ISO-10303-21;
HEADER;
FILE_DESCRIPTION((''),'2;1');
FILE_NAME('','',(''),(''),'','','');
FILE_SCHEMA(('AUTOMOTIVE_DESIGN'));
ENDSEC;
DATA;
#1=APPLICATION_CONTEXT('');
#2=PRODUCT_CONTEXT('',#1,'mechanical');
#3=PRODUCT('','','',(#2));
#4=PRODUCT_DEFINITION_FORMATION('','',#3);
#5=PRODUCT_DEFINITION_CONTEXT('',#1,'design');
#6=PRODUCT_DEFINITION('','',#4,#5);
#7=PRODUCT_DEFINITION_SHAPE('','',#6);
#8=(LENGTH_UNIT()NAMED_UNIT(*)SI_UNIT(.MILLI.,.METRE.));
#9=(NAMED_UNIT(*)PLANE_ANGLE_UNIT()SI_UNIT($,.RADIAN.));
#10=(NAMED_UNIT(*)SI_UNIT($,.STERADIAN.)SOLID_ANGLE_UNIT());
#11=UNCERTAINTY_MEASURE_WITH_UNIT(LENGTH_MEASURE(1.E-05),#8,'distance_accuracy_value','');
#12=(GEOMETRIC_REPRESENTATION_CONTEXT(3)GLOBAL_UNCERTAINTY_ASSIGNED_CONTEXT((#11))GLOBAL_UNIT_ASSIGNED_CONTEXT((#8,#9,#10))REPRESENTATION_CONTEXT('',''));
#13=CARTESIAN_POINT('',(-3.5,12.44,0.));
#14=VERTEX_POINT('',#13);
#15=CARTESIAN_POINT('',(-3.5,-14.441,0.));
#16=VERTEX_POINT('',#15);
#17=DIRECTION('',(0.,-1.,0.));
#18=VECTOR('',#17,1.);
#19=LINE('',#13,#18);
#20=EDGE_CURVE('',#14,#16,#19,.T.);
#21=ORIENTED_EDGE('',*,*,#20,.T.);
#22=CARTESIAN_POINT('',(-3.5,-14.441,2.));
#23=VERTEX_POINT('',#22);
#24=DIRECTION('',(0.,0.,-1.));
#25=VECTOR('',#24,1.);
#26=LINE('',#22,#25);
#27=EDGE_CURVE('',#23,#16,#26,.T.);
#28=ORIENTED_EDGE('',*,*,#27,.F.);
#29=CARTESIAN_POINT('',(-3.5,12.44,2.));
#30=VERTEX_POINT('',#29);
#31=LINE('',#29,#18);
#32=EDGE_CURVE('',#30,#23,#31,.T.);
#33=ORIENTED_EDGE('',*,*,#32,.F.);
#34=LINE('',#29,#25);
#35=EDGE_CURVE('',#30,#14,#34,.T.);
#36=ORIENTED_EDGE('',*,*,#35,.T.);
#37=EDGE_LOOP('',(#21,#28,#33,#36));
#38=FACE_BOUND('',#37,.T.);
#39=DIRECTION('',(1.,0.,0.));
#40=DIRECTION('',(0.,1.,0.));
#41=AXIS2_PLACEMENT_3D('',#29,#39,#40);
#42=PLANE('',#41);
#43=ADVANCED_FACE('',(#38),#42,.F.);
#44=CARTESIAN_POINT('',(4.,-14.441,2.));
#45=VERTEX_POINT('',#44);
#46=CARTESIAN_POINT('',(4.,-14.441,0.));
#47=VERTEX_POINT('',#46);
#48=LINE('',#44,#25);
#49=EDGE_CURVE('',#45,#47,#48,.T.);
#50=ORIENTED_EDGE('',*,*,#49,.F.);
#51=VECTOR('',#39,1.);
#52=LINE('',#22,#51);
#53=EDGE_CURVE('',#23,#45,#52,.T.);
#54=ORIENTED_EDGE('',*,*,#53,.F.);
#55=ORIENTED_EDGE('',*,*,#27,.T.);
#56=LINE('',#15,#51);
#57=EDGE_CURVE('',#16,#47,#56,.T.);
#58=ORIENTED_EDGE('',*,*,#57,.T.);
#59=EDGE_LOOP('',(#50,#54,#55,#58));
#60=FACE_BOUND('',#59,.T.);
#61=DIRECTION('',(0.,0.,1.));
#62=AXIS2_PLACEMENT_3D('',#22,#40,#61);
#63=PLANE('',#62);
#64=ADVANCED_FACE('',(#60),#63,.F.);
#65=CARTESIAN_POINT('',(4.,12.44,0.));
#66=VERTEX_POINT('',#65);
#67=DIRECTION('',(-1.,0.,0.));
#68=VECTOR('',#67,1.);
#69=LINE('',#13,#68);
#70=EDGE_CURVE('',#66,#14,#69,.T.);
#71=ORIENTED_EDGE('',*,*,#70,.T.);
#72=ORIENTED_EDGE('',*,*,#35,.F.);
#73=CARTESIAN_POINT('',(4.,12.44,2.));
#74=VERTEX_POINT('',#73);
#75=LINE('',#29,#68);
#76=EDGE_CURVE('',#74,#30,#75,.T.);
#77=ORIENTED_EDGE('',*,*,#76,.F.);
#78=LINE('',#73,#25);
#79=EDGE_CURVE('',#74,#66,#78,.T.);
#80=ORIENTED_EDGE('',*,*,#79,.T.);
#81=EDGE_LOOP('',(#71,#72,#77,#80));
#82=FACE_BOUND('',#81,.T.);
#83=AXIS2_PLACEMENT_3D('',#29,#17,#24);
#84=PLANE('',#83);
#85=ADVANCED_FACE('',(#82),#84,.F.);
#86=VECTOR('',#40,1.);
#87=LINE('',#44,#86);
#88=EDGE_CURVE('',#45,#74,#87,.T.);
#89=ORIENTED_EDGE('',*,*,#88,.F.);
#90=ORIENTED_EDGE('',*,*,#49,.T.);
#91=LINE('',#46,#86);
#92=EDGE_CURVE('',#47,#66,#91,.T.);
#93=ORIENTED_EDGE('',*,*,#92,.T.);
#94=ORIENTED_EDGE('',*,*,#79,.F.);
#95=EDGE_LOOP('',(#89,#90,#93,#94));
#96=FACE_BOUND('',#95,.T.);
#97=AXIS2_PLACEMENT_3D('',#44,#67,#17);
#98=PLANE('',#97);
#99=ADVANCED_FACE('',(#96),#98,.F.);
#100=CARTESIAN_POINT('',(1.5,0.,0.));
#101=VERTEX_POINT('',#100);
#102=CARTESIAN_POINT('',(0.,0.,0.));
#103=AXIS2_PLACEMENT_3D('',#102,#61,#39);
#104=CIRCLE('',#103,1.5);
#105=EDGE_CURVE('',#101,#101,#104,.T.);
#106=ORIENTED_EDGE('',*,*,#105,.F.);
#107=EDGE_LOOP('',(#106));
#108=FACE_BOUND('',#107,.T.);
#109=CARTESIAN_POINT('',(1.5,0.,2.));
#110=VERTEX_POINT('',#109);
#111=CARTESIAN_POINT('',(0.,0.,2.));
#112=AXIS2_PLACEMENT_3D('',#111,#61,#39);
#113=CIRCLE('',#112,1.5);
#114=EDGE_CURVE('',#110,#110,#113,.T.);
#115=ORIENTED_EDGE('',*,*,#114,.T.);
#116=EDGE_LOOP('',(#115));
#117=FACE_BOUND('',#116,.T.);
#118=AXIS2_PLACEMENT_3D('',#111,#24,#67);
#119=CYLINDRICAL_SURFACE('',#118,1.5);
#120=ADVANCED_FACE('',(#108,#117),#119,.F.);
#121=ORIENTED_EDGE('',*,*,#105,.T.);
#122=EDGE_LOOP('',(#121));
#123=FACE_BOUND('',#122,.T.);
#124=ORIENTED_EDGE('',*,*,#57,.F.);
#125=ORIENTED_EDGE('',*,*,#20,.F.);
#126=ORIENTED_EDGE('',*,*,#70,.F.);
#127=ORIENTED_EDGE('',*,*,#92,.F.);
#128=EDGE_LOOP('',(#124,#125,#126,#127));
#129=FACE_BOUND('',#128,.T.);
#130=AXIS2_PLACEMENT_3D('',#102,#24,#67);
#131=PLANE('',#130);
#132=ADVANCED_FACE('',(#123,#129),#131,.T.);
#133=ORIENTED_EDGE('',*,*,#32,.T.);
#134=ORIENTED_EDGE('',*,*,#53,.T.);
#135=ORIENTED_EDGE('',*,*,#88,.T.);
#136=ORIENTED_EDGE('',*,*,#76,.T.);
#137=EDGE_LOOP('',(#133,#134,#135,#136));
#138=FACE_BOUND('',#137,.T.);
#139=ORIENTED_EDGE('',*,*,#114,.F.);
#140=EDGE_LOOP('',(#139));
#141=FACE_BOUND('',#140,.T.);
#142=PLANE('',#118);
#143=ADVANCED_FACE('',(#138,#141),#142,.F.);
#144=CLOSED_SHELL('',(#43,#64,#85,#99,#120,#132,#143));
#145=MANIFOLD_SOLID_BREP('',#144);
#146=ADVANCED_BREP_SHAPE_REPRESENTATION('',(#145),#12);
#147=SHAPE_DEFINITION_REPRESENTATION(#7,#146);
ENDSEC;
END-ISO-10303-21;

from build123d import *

# Parameters (mm, degrees)
SKETCH1_W           = 7.5
SKETCH1_H           = 26.881
SKETCH1_R           = 1.5
BOSS_EXTRUDE1_DEPTH = 2


with BuildPart() as part:
    # Sketch1 → Boss-Extrude1 (new body)
    with BuildSketch(Plane.XY):
        with Locations((0.25, -1.0005)):
            Rectangle(SKETCH1_W, SKETCH1_H)
        Circle(SKETCH1_R, mode=Mode.SUBTRACT)
    extrude(amount=BOSS_EXTRUDE1_DEPTH)


solid = part.part
